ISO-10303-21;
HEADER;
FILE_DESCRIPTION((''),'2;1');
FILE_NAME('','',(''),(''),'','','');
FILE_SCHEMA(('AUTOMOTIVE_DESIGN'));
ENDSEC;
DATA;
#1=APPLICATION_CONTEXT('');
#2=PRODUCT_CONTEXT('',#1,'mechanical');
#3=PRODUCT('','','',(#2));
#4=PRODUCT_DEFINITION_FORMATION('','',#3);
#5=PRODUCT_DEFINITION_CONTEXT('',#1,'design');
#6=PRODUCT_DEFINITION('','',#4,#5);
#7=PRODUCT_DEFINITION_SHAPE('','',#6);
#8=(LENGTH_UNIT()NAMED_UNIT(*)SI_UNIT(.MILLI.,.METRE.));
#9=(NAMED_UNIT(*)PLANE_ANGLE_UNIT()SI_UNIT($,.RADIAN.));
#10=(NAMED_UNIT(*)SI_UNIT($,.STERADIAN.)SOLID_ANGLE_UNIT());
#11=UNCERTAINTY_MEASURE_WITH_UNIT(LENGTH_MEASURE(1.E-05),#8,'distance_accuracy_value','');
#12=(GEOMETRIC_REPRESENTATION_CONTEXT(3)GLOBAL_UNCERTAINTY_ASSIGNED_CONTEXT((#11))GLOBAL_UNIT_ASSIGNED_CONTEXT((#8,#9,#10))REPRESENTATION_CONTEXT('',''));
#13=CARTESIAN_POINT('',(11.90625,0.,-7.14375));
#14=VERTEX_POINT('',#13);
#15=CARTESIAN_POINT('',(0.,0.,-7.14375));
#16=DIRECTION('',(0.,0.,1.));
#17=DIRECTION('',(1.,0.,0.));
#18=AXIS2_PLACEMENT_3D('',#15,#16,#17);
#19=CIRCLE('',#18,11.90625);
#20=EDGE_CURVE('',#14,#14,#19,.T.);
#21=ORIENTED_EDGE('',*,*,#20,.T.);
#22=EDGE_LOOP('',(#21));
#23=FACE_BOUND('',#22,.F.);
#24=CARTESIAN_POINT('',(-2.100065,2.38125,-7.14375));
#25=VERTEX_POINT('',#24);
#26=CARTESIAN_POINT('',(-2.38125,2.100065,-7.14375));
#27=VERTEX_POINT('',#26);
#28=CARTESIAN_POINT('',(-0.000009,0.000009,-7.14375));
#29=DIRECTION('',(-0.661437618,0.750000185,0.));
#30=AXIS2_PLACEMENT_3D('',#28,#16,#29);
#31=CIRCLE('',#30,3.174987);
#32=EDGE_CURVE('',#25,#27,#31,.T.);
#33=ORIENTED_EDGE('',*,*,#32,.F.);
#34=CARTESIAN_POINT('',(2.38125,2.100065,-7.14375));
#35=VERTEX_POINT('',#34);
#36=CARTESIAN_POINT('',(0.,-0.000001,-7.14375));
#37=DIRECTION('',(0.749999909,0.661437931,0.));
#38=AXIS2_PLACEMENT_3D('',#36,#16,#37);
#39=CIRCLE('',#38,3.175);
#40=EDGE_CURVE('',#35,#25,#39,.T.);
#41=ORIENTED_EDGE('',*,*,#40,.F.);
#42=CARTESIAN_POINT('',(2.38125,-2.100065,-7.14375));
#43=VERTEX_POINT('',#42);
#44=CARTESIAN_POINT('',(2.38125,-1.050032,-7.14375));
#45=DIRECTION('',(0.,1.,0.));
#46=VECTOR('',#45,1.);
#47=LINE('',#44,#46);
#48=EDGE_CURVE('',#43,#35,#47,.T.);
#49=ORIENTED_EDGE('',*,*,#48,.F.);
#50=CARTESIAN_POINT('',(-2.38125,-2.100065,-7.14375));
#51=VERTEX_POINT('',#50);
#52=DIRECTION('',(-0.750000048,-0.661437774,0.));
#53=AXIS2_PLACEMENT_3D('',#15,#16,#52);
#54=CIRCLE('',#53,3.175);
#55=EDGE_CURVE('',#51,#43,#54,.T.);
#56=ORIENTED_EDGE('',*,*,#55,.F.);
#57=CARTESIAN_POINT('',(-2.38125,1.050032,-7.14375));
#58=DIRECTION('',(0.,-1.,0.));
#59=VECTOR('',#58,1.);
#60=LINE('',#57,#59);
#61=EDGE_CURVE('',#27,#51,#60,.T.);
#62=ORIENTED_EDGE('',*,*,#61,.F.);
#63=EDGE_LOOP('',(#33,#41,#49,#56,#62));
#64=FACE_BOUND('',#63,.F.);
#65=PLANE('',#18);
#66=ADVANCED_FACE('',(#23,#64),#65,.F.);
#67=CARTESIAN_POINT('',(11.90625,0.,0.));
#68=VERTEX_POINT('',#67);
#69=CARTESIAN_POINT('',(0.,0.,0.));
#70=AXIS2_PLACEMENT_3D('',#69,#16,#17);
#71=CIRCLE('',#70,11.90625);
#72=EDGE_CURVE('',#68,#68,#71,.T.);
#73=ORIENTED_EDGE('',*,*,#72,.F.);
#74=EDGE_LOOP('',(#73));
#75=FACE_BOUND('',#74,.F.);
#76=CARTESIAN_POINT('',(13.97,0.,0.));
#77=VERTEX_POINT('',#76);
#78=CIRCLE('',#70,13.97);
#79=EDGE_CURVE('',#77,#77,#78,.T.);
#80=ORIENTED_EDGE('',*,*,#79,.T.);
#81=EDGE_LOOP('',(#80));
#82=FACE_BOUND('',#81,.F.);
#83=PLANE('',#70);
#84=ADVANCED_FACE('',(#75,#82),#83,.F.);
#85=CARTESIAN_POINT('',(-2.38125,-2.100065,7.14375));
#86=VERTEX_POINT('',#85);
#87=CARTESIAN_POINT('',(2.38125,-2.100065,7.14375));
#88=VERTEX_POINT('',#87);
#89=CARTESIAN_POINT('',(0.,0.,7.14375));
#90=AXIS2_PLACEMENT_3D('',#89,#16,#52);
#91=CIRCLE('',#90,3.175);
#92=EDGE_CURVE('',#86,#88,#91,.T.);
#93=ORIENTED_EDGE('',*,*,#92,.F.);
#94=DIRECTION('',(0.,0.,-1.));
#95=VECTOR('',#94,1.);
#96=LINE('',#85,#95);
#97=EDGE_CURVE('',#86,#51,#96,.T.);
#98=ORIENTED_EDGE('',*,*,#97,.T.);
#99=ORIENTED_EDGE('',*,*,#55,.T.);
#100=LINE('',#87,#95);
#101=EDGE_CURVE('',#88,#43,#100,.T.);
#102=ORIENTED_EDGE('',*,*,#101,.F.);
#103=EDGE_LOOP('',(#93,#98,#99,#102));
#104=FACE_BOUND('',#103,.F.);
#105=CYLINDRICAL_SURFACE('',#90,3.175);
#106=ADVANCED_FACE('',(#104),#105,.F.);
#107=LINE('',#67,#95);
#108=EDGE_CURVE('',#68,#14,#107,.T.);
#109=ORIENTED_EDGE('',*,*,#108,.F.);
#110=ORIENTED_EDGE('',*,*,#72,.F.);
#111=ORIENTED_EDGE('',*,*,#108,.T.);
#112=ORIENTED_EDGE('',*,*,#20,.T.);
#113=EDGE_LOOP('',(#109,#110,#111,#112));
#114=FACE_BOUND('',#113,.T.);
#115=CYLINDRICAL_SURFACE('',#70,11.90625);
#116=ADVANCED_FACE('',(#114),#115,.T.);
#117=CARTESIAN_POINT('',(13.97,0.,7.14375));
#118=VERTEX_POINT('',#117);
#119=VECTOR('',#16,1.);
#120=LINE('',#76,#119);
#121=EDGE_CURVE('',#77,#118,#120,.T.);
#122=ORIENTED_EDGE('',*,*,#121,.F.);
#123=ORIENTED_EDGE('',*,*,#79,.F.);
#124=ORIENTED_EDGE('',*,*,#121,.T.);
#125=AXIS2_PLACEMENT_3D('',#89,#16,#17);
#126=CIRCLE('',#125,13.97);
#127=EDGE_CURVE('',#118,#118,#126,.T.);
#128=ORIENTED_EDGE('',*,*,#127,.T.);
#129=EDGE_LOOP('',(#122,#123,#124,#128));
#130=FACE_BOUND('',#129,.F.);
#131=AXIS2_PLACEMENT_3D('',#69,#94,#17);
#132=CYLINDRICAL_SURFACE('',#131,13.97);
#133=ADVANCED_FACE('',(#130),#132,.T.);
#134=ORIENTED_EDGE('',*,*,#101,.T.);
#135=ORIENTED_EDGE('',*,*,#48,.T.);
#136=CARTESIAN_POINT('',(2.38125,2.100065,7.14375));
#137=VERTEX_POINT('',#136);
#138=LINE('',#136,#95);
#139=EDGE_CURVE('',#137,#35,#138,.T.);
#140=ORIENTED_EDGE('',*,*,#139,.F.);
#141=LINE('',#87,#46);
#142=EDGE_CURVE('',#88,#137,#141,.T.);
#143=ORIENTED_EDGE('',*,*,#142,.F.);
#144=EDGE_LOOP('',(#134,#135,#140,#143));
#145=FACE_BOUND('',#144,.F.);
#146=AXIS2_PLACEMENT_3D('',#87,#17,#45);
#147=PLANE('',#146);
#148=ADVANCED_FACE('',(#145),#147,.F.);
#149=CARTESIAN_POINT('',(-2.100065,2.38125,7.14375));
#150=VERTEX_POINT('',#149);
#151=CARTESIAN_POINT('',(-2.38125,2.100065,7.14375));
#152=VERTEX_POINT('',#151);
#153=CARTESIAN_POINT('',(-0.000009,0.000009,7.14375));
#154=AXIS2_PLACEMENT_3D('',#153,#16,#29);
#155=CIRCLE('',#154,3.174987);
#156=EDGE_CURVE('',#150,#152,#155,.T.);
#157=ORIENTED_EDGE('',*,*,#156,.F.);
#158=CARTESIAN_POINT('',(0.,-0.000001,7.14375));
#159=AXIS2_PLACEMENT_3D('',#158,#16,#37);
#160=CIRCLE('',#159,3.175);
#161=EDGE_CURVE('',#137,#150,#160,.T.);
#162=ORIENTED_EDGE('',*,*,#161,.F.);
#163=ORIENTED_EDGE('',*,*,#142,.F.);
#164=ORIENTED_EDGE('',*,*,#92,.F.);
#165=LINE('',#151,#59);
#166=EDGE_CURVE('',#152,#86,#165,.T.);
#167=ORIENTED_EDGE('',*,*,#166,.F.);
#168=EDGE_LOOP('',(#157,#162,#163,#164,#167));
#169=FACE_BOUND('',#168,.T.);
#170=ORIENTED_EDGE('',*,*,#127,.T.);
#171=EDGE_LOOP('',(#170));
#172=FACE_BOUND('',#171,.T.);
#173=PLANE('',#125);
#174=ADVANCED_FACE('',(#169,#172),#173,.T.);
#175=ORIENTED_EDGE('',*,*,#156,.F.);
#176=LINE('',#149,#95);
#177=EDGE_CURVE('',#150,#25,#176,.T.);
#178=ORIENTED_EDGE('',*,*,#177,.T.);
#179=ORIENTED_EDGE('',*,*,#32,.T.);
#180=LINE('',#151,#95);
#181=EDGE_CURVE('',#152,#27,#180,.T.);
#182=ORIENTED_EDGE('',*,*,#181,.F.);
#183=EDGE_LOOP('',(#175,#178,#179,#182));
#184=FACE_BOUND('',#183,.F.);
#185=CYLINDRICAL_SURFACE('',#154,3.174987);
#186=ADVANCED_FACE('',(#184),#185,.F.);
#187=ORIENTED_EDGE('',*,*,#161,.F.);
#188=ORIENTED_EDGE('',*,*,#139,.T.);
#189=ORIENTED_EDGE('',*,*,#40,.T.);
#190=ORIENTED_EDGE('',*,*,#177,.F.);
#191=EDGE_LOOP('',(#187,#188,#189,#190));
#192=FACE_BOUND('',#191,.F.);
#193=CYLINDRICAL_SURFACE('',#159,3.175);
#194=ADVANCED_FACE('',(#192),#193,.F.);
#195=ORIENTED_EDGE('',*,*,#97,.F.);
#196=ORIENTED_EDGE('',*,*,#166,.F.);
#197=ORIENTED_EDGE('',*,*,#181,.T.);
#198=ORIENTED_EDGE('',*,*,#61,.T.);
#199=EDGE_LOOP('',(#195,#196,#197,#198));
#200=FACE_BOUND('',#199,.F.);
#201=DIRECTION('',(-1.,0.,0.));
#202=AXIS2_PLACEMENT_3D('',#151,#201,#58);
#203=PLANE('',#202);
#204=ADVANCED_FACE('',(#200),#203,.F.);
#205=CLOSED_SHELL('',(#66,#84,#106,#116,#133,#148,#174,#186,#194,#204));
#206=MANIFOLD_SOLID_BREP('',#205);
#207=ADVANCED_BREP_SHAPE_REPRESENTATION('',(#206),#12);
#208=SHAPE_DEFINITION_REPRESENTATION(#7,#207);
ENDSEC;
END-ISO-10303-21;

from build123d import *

# Parameters (mm, degrees)
F0_R     = 11.90625
F1_DEPTH = 7.14375
F2_R     = 13.97
F3_DEPTH = 7.14375
F5_DEPTH = 25.4


with BuildPart() as f1:
    # F0 (on Top) → F1 (new body)
    with BuildSketch(Plane.XY):
        Circle(F0_R)
    extrude(amount=-F1_DEPTH)

    # F2 (on Top) → F3 (join)
    with BuildSketch(Plane.XY):
        Circle(F2_R)
    extrude(amount=F3_DEPTH)

    # F4 (on face) → F5 (cut)
    with BuildSketch(Plane.XY.offset(7.14375)):
        with BuildLine():
            ThreePointArc((2.38125, 2.100065), (0.198828, 3.168768), (-2.100065, 2.38125))
            ThreePointArc((-2.100065, 2.38125), (-2.245064, 2.245064), (-2.38125, 2.100065))
            Line((-2.38125, 2.100065), (-2.38125, -2.100065))
            ThreePointArc((-2.38125, -2.100065), (0, -3.175), (2.38125, -2.100065))
            Line((2.38125, -2.100065), (2.38125, 2.100065))
        make_face()
    extrude(amount=-F5_DEPTH, mode=Mode.SUBTRACT)


solid = f1.part
